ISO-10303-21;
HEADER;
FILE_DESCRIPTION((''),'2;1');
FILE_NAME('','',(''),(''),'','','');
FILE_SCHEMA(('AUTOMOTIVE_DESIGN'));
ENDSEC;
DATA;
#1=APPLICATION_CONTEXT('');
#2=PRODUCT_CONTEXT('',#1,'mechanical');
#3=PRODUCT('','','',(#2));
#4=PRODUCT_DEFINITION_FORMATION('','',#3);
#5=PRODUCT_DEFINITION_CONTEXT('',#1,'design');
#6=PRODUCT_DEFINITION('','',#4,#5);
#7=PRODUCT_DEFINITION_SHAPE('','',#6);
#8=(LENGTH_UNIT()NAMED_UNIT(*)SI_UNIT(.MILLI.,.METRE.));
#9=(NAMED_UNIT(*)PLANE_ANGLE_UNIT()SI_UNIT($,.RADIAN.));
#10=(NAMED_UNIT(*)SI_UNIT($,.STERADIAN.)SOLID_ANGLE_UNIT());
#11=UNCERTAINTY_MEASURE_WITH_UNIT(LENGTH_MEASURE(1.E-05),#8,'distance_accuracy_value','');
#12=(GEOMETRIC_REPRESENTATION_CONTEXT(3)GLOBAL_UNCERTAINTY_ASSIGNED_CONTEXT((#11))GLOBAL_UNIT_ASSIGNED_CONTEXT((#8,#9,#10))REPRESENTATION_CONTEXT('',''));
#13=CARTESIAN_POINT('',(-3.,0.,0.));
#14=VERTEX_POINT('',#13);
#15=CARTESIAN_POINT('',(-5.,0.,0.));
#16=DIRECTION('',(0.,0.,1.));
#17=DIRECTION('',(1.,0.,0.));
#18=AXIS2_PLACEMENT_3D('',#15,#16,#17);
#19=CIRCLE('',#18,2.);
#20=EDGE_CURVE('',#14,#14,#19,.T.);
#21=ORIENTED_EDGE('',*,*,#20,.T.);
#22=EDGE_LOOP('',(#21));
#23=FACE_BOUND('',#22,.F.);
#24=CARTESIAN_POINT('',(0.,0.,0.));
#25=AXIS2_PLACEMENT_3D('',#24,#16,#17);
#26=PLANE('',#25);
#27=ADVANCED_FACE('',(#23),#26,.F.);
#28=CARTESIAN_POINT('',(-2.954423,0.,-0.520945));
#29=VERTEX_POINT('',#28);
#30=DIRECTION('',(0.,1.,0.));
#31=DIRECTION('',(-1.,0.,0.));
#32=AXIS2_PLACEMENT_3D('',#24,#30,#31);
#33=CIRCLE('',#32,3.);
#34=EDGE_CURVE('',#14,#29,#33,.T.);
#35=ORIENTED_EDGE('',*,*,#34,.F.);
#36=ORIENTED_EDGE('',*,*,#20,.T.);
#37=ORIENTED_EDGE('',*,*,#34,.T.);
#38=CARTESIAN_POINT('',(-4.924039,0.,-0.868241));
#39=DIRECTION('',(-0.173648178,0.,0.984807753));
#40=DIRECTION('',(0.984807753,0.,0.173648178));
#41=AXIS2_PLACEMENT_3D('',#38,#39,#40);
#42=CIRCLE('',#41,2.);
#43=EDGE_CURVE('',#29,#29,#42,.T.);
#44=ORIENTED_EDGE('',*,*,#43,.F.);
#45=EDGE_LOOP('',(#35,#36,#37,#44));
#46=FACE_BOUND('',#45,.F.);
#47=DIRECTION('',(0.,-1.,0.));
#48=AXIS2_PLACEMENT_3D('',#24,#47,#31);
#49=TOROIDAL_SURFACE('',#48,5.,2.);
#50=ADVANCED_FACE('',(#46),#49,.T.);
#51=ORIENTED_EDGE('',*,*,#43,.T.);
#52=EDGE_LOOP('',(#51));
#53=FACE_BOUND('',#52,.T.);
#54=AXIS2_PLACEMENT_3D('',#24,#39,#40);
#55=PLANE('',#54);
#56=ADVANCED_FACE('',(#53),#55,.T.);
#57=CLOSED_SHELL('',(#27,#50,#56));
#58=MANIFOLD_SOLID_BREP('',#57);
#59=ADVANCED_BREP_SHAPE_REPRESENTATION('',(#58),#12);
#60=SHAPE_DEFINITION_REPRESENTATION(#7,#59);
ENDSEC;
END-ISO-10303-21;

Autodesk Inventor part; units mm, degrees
ref_plane "YZ Plane" through (0, 0, 0) normal (1, 0, 0) x (0, 1, 0)
ref_plane "XZ Plane" through (0, 0, 0) normal (0, 1, 0) x (-1, 0, 0)
ref_plane "XY Plane" through (0, 0, 0) normal (0, 0, 1) x (1, 0, 0)
sketch "草图1" plane through (0, 0, 0) normal (0, 0, 1) x (1, 0, 0)
  circle A0 centre (-5, 0) radius 2
  line L0 (0, -2.8) -> (0, 2.8) projected
  line L1 (0, 0) -> (1.7205, 0)
  dimension "d0" = 4
  dimension "d2" = 5
revolve "旋转1" add sketch "草图1" angle 350 about axis through (0, -10, 0) along (0, 1, 0)
properties part number "载板连接销卡环"
